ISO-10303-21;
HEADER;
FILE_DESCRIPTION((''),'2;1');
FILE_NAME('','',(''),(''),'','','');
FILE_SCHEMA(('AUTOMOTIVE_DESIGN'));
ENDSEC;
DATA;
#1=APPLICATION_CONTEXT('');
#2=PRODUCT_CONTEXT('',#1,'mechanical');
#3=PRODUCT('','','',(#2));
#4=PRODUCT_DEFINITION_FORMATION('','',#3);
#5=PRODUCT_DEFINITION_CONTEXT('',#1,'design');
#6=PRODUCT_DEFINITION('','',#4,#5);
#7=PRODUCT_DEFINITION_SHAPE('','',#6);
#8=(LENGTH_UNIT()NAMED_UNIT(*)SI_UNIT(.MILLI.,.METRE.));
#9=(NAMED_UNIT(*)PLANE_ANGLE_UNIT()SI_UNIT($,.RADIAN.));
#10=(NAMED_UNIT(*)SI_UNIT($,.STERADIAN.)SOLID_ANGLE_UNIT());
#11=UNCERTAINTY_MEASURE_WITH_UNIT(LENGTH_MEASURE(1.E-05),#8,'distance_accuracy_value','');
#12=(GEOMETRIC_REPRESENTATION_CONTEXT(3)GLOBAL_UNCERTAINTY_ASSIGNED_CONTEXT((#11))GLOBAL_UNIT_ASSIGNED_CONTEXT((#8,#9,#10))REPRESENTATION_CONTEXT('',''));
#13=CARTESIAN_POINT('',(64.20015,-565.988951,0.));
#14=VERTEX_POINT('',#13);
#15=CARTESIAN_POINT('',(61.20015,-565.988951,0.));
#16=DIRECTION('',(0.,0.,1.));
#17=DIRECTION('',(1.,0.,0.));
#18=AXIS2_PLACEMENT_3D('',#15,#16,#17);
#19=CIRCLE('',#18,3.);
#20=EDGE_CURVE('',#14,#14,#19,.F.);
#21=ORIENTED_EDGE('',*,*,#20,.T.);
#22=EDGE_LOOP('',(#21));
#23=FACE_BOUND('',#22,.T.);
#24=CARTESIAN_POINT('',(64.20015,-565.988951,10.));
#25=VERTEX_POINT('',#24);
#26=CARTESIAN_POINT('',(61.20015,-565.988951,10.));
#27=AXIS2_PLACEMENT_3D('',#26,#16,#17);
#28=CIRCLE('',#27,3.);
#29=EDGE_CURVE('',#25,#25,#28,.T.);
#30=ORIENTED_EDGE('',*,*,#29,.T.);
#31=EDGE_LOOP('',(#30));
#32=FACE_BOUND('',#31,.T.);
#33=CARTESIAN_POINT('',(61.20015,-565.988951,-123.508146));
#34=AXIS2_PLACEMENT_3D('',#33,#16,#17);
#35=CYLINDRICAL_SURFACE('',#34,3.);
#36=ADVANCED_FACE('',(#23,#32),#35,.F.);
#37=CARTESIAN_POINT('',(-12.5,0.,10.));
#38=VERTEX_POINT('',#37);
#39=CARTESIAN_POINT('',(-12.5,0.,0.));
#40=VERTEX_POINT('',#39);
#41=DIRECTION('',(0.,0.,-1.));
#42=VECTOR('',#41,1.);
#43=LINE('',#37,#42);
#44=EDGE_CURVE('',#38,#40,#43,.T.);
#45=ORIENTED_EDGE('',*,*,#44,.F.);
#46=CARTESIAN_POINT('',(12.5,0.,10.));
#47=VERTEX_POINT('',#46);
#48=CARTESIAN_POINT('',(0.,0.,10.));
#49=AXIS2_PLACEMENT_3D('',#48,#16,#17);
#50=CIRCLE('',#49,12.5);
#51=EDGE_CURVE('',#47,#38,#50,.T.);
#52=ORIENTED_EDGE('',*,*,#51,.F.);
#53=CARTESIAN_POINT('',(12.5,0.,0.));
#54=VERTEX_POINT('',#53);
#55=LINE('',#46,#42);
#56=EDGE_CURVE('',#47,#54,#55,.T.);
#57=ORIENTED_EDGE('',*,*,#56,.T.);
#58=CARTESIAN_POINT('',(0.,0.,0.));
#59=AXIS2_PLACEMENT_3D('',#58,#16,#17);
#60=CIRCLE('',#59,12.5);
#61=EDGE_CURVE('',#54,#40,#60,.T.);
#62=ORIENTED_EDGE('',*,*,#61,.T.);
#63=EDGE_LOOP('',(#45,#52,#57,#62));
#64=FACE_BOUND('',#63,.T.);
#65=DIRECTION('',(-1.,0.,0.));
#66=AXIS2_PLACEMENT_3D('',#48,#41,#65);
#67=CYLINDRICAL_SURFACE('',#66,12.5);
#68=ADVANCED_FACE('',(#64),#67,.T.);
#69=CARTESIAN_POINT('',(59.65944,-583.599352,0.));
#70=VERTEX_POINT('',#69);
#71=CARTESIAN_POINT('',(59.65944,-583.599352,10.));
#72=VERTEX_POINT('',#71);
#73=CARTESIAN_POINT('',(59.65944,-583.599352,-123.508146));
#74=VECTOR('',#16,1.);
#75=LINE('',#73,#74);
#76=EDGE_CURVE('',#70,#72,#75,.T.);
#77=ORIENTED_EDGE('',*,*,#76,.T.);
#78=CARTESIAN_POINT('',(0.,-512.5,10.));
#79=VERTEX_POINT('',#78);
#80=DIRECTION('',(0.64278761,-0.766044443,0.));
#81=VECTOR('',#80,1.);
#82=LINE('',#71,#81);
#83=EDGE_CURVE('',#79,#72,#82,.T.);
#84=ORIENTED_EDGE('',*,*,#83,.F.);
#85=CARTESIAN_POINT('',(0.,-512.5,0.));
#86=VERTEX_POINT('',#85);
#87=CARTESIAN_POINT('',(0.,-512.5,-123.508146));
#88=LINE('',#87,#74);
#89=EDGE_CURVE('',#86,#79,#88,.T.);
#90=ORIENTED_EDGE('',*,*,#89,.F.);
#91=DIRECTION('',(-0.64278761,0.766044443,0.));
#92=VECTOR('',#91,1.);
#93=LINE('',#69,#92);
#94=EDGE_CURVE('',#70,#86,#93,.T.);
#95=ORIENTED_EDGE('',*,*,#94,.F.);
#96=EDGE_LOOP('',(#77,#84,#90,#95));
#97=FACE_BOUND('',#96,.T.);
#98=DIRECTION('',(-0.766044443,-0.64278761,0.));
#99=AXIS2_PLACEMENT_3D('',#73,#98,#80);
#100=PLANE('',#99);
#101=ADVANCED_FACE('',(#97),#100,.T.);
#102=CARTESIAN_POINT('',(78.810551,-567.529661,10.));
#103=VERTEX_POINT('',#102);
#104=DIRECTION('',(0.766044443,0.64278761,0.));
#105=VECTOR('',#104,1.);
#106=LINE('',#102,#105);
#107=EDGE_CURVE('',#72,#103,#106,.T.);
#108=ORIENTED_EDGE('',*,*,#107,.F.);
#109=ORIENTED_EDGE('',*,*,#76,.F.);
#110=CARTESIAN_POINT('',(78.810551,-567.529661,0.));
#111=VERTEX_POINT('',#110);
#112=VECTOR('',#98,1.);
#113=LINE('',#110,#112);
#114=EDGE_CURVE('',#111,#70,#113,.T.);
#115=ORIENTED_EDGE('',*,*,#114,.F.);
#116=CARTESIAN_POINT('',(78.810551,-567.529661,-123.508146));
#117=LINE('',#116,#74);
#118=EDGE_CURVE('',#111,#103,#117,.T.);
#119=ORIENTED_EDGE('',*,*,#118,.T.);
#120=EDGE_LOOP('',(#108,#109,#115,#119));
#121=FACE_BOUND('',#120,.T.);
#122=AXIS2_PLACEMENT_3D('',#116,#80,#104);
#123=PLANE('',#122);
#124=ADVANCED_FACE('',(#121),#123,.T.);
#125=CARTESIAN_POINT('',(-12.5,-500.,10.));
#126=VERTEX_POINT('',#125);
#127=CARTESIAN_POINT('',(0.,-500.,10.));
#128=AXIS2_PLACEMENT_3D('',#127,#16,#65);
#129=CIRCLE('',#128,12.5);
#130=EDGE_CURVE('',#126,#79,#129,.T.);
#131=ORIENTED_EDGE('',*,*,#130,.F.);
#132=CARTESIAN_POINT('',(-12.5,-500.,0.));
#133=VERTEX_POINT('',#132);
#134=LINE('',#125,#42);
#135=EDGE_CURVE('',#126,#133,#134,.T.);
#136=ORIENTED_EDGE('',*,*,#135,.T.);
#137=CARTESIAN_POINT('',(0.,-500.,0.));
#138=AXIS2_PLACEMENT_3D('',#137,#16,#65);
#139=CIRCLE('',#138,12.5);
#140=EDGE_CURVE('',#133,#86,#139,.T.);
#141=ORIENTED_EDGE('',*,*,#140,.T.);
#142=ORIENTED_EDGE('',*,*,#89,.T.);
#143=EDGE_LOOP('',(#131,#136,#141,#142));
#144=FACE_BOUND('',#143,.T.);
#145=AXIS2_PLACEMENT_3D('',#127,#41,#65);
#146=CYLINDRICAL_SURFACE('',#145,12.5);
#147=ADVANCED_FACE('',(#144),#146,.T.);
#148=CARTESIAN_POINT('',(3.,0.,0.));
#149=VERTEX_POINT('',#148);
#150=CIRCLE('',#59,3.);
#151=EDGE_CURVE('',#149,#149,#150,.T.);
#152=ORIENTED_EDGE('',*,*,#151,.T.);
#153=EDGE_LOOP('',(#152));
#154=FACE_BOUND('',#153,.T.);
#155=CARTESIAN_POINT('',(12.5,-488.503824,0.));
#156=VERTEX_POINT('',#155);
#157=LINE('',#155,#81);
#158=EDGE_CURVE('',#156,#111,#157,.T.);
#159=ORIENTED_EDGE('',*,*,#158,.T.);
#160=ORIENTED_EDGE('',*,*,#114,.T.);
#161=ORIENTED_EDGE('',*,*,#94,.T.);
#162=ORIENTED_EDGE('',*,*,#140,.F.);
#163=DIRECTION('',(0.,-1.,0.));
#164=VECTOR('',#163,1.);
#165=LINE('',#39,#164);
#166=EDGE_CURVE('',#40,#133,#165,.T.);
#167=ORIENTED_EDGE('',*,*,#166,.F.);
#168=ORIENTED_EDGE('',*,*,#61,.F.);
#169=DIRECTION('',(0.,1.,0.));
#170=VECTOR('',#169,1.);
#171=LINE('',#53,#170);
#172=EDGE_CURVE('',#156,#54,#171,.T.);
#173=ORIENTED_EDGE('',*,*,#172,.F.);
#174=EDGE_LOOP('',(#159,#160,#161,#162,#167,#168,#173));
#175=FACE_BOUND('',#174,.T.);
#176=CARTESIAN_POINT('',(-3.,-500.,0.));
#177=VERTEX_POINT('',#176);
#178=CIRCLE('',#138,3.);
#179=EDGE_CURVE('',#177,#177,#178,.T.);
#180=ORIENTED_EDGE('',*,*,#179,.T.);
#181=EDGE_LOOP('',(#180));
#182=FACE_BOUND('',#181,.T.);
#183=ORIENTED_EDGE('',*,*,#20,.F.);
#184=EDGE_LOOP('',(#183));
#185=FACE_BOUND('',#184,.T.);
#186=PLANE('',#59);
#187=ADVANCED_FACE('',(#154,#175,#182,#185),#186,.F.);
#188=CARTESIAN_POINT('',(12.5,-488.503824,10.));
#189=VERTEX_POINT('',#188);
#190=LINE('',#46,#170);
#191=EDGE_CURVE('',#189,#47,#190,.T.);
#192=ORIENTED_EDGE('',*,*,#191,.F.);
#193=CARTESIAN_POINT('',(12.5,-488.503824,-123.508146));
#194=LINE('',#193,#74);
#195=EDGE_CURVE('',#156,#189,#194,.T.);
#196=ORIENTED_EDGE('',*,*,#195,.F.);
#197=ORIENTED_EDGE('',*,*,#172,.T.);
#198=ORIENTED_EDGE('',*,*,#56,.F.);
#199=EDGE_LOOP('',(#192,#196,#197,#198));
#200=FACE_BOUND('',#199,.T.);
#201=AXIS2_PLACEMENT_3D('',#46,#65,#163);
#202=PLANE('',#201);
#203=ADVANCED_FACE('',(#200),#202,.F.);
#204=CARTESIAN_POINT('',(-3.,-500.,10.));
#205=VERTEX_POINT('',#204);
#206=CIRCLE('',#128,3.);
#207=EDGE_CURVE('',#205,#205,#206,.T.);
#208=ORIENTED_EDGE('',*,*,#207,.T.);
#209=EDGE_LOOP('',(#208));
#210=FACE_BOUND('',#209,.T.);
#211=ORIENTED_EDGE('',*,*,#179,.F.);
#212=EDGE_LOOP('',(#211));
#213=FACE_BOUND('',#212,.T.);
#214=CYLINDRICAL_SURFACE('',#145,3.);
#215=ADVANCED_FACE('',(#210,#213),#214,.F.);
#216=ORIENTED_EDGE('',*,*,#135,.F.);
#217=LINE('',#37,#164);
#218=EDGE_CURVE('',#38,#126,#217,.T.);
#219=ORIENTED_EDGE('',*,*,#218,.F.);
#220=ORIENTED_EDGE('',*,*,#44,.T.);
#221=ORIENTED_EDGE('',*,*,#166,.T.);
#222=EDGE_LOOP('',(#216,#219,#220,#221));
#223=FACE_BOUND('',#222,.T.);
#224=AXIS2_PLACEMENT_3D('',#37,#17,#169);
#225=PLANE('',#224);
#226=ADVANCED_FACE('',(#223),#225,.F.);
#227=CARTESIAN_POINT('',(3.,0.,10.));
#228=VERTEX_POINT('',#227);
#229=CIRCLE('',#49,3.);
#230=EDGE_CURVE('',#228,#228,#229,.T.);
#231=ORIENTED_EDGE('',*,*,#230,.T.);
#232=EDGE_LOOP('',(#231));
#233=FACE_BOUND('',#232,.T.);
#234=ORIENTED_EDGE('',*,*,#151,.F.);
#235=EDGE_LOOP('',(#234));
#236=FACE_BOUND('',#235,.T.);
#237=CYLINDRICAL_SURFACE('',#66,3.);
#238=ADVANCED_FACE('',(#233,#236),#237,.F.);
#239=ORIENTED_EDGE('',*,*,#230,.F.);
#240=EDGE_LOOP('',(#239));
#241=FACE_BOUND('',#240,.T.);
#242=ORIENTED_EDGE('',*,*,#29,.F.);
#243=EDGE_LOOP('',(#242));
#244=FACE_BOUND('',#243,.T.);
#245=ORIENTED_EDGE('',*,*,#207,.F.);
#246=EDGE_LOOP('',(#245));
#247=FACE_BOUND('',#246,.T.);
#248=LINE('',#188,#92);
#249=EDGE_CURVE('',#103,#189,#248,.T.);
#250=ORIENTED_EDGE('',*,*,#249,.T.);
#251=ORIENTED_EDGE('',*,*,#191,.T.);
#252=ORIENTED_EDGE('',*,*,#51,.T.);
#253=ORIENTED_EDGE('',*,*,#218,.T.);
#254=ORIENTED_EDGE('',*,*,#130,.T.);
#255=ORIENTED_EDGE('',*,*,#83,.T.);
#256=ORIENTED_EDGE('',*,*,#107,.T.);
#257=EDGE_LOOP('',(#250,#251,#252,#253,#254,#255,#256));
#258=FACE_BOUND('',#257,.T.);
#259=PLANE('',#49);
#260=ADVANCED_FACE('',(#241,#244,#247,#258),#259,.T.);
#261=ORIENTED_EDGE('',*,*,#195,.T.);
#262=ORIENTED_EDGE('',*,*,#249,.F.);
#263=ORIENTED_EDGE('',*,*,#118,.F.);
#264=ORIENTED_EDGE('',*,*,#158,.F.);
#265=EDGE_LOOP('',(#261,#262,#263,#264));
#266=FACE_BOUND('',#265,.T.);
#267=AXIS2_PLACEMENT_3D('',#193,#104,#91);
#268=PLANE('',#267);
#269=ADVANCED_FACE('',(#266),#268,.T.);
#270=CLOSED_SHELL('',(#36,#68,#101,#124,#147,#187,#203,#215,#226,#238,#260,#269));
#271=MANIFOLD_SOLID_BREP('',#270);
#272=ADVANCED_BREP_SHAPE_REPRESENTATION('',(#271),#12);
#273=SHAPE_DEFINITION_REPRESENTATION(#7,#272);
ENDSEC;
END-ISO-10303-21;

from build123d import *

# Parameters (mm, degrees)
SKETCH1_R           = 3
BOSS_EXTRUDE1_DEPTH = 10
SKETCH2_R           = 3
BOSS_EXTRUDE3_DEPTH = 10


with BuildPart() as part:
    # Sketch1 → Boss-Extrude1 (new body)
    with BuildSketch(Plane.XY):
        with BuildLine():
            Line((-12.5, 0), (-12.5, -500))
            ThreePointArc((-12.5, -500), (0, -512.5), (12.5, -500))
            Line((12.5, -500), (12.5, 0))
            ThreePointArc((12.5, 0), (0, 12.5), (-12.5, 0))
        make_face()
        Circle(SKETCH1_R, mode=Mode.SUBTRACT)
        with Locations(Location((0, -500, 0), (0, 0, 180))):
            Circle(SKETCH1_R, mode=Mode.SUBTRACT)
    extrude(amount=BOSS_EXTRUDE1_DEPTH)

    # Sketch2 → Boss-Extrude3 (add)
    with BuildSketch(Plane.XY.offset(10)):
        Polygon((12.5, -488.503824236), (78.810550707, -567.529661268), (59.659439629, -583.59935151), (0, -512.5), align=None)
        with Locations((61.200150047, -565.98895085)):
            Circle(SKETCH2_R, mode=Mode.SUBTRACT)
    extrude(amount=-BOSS_EXTRUDE3_DEPTH)


solid = part.part
